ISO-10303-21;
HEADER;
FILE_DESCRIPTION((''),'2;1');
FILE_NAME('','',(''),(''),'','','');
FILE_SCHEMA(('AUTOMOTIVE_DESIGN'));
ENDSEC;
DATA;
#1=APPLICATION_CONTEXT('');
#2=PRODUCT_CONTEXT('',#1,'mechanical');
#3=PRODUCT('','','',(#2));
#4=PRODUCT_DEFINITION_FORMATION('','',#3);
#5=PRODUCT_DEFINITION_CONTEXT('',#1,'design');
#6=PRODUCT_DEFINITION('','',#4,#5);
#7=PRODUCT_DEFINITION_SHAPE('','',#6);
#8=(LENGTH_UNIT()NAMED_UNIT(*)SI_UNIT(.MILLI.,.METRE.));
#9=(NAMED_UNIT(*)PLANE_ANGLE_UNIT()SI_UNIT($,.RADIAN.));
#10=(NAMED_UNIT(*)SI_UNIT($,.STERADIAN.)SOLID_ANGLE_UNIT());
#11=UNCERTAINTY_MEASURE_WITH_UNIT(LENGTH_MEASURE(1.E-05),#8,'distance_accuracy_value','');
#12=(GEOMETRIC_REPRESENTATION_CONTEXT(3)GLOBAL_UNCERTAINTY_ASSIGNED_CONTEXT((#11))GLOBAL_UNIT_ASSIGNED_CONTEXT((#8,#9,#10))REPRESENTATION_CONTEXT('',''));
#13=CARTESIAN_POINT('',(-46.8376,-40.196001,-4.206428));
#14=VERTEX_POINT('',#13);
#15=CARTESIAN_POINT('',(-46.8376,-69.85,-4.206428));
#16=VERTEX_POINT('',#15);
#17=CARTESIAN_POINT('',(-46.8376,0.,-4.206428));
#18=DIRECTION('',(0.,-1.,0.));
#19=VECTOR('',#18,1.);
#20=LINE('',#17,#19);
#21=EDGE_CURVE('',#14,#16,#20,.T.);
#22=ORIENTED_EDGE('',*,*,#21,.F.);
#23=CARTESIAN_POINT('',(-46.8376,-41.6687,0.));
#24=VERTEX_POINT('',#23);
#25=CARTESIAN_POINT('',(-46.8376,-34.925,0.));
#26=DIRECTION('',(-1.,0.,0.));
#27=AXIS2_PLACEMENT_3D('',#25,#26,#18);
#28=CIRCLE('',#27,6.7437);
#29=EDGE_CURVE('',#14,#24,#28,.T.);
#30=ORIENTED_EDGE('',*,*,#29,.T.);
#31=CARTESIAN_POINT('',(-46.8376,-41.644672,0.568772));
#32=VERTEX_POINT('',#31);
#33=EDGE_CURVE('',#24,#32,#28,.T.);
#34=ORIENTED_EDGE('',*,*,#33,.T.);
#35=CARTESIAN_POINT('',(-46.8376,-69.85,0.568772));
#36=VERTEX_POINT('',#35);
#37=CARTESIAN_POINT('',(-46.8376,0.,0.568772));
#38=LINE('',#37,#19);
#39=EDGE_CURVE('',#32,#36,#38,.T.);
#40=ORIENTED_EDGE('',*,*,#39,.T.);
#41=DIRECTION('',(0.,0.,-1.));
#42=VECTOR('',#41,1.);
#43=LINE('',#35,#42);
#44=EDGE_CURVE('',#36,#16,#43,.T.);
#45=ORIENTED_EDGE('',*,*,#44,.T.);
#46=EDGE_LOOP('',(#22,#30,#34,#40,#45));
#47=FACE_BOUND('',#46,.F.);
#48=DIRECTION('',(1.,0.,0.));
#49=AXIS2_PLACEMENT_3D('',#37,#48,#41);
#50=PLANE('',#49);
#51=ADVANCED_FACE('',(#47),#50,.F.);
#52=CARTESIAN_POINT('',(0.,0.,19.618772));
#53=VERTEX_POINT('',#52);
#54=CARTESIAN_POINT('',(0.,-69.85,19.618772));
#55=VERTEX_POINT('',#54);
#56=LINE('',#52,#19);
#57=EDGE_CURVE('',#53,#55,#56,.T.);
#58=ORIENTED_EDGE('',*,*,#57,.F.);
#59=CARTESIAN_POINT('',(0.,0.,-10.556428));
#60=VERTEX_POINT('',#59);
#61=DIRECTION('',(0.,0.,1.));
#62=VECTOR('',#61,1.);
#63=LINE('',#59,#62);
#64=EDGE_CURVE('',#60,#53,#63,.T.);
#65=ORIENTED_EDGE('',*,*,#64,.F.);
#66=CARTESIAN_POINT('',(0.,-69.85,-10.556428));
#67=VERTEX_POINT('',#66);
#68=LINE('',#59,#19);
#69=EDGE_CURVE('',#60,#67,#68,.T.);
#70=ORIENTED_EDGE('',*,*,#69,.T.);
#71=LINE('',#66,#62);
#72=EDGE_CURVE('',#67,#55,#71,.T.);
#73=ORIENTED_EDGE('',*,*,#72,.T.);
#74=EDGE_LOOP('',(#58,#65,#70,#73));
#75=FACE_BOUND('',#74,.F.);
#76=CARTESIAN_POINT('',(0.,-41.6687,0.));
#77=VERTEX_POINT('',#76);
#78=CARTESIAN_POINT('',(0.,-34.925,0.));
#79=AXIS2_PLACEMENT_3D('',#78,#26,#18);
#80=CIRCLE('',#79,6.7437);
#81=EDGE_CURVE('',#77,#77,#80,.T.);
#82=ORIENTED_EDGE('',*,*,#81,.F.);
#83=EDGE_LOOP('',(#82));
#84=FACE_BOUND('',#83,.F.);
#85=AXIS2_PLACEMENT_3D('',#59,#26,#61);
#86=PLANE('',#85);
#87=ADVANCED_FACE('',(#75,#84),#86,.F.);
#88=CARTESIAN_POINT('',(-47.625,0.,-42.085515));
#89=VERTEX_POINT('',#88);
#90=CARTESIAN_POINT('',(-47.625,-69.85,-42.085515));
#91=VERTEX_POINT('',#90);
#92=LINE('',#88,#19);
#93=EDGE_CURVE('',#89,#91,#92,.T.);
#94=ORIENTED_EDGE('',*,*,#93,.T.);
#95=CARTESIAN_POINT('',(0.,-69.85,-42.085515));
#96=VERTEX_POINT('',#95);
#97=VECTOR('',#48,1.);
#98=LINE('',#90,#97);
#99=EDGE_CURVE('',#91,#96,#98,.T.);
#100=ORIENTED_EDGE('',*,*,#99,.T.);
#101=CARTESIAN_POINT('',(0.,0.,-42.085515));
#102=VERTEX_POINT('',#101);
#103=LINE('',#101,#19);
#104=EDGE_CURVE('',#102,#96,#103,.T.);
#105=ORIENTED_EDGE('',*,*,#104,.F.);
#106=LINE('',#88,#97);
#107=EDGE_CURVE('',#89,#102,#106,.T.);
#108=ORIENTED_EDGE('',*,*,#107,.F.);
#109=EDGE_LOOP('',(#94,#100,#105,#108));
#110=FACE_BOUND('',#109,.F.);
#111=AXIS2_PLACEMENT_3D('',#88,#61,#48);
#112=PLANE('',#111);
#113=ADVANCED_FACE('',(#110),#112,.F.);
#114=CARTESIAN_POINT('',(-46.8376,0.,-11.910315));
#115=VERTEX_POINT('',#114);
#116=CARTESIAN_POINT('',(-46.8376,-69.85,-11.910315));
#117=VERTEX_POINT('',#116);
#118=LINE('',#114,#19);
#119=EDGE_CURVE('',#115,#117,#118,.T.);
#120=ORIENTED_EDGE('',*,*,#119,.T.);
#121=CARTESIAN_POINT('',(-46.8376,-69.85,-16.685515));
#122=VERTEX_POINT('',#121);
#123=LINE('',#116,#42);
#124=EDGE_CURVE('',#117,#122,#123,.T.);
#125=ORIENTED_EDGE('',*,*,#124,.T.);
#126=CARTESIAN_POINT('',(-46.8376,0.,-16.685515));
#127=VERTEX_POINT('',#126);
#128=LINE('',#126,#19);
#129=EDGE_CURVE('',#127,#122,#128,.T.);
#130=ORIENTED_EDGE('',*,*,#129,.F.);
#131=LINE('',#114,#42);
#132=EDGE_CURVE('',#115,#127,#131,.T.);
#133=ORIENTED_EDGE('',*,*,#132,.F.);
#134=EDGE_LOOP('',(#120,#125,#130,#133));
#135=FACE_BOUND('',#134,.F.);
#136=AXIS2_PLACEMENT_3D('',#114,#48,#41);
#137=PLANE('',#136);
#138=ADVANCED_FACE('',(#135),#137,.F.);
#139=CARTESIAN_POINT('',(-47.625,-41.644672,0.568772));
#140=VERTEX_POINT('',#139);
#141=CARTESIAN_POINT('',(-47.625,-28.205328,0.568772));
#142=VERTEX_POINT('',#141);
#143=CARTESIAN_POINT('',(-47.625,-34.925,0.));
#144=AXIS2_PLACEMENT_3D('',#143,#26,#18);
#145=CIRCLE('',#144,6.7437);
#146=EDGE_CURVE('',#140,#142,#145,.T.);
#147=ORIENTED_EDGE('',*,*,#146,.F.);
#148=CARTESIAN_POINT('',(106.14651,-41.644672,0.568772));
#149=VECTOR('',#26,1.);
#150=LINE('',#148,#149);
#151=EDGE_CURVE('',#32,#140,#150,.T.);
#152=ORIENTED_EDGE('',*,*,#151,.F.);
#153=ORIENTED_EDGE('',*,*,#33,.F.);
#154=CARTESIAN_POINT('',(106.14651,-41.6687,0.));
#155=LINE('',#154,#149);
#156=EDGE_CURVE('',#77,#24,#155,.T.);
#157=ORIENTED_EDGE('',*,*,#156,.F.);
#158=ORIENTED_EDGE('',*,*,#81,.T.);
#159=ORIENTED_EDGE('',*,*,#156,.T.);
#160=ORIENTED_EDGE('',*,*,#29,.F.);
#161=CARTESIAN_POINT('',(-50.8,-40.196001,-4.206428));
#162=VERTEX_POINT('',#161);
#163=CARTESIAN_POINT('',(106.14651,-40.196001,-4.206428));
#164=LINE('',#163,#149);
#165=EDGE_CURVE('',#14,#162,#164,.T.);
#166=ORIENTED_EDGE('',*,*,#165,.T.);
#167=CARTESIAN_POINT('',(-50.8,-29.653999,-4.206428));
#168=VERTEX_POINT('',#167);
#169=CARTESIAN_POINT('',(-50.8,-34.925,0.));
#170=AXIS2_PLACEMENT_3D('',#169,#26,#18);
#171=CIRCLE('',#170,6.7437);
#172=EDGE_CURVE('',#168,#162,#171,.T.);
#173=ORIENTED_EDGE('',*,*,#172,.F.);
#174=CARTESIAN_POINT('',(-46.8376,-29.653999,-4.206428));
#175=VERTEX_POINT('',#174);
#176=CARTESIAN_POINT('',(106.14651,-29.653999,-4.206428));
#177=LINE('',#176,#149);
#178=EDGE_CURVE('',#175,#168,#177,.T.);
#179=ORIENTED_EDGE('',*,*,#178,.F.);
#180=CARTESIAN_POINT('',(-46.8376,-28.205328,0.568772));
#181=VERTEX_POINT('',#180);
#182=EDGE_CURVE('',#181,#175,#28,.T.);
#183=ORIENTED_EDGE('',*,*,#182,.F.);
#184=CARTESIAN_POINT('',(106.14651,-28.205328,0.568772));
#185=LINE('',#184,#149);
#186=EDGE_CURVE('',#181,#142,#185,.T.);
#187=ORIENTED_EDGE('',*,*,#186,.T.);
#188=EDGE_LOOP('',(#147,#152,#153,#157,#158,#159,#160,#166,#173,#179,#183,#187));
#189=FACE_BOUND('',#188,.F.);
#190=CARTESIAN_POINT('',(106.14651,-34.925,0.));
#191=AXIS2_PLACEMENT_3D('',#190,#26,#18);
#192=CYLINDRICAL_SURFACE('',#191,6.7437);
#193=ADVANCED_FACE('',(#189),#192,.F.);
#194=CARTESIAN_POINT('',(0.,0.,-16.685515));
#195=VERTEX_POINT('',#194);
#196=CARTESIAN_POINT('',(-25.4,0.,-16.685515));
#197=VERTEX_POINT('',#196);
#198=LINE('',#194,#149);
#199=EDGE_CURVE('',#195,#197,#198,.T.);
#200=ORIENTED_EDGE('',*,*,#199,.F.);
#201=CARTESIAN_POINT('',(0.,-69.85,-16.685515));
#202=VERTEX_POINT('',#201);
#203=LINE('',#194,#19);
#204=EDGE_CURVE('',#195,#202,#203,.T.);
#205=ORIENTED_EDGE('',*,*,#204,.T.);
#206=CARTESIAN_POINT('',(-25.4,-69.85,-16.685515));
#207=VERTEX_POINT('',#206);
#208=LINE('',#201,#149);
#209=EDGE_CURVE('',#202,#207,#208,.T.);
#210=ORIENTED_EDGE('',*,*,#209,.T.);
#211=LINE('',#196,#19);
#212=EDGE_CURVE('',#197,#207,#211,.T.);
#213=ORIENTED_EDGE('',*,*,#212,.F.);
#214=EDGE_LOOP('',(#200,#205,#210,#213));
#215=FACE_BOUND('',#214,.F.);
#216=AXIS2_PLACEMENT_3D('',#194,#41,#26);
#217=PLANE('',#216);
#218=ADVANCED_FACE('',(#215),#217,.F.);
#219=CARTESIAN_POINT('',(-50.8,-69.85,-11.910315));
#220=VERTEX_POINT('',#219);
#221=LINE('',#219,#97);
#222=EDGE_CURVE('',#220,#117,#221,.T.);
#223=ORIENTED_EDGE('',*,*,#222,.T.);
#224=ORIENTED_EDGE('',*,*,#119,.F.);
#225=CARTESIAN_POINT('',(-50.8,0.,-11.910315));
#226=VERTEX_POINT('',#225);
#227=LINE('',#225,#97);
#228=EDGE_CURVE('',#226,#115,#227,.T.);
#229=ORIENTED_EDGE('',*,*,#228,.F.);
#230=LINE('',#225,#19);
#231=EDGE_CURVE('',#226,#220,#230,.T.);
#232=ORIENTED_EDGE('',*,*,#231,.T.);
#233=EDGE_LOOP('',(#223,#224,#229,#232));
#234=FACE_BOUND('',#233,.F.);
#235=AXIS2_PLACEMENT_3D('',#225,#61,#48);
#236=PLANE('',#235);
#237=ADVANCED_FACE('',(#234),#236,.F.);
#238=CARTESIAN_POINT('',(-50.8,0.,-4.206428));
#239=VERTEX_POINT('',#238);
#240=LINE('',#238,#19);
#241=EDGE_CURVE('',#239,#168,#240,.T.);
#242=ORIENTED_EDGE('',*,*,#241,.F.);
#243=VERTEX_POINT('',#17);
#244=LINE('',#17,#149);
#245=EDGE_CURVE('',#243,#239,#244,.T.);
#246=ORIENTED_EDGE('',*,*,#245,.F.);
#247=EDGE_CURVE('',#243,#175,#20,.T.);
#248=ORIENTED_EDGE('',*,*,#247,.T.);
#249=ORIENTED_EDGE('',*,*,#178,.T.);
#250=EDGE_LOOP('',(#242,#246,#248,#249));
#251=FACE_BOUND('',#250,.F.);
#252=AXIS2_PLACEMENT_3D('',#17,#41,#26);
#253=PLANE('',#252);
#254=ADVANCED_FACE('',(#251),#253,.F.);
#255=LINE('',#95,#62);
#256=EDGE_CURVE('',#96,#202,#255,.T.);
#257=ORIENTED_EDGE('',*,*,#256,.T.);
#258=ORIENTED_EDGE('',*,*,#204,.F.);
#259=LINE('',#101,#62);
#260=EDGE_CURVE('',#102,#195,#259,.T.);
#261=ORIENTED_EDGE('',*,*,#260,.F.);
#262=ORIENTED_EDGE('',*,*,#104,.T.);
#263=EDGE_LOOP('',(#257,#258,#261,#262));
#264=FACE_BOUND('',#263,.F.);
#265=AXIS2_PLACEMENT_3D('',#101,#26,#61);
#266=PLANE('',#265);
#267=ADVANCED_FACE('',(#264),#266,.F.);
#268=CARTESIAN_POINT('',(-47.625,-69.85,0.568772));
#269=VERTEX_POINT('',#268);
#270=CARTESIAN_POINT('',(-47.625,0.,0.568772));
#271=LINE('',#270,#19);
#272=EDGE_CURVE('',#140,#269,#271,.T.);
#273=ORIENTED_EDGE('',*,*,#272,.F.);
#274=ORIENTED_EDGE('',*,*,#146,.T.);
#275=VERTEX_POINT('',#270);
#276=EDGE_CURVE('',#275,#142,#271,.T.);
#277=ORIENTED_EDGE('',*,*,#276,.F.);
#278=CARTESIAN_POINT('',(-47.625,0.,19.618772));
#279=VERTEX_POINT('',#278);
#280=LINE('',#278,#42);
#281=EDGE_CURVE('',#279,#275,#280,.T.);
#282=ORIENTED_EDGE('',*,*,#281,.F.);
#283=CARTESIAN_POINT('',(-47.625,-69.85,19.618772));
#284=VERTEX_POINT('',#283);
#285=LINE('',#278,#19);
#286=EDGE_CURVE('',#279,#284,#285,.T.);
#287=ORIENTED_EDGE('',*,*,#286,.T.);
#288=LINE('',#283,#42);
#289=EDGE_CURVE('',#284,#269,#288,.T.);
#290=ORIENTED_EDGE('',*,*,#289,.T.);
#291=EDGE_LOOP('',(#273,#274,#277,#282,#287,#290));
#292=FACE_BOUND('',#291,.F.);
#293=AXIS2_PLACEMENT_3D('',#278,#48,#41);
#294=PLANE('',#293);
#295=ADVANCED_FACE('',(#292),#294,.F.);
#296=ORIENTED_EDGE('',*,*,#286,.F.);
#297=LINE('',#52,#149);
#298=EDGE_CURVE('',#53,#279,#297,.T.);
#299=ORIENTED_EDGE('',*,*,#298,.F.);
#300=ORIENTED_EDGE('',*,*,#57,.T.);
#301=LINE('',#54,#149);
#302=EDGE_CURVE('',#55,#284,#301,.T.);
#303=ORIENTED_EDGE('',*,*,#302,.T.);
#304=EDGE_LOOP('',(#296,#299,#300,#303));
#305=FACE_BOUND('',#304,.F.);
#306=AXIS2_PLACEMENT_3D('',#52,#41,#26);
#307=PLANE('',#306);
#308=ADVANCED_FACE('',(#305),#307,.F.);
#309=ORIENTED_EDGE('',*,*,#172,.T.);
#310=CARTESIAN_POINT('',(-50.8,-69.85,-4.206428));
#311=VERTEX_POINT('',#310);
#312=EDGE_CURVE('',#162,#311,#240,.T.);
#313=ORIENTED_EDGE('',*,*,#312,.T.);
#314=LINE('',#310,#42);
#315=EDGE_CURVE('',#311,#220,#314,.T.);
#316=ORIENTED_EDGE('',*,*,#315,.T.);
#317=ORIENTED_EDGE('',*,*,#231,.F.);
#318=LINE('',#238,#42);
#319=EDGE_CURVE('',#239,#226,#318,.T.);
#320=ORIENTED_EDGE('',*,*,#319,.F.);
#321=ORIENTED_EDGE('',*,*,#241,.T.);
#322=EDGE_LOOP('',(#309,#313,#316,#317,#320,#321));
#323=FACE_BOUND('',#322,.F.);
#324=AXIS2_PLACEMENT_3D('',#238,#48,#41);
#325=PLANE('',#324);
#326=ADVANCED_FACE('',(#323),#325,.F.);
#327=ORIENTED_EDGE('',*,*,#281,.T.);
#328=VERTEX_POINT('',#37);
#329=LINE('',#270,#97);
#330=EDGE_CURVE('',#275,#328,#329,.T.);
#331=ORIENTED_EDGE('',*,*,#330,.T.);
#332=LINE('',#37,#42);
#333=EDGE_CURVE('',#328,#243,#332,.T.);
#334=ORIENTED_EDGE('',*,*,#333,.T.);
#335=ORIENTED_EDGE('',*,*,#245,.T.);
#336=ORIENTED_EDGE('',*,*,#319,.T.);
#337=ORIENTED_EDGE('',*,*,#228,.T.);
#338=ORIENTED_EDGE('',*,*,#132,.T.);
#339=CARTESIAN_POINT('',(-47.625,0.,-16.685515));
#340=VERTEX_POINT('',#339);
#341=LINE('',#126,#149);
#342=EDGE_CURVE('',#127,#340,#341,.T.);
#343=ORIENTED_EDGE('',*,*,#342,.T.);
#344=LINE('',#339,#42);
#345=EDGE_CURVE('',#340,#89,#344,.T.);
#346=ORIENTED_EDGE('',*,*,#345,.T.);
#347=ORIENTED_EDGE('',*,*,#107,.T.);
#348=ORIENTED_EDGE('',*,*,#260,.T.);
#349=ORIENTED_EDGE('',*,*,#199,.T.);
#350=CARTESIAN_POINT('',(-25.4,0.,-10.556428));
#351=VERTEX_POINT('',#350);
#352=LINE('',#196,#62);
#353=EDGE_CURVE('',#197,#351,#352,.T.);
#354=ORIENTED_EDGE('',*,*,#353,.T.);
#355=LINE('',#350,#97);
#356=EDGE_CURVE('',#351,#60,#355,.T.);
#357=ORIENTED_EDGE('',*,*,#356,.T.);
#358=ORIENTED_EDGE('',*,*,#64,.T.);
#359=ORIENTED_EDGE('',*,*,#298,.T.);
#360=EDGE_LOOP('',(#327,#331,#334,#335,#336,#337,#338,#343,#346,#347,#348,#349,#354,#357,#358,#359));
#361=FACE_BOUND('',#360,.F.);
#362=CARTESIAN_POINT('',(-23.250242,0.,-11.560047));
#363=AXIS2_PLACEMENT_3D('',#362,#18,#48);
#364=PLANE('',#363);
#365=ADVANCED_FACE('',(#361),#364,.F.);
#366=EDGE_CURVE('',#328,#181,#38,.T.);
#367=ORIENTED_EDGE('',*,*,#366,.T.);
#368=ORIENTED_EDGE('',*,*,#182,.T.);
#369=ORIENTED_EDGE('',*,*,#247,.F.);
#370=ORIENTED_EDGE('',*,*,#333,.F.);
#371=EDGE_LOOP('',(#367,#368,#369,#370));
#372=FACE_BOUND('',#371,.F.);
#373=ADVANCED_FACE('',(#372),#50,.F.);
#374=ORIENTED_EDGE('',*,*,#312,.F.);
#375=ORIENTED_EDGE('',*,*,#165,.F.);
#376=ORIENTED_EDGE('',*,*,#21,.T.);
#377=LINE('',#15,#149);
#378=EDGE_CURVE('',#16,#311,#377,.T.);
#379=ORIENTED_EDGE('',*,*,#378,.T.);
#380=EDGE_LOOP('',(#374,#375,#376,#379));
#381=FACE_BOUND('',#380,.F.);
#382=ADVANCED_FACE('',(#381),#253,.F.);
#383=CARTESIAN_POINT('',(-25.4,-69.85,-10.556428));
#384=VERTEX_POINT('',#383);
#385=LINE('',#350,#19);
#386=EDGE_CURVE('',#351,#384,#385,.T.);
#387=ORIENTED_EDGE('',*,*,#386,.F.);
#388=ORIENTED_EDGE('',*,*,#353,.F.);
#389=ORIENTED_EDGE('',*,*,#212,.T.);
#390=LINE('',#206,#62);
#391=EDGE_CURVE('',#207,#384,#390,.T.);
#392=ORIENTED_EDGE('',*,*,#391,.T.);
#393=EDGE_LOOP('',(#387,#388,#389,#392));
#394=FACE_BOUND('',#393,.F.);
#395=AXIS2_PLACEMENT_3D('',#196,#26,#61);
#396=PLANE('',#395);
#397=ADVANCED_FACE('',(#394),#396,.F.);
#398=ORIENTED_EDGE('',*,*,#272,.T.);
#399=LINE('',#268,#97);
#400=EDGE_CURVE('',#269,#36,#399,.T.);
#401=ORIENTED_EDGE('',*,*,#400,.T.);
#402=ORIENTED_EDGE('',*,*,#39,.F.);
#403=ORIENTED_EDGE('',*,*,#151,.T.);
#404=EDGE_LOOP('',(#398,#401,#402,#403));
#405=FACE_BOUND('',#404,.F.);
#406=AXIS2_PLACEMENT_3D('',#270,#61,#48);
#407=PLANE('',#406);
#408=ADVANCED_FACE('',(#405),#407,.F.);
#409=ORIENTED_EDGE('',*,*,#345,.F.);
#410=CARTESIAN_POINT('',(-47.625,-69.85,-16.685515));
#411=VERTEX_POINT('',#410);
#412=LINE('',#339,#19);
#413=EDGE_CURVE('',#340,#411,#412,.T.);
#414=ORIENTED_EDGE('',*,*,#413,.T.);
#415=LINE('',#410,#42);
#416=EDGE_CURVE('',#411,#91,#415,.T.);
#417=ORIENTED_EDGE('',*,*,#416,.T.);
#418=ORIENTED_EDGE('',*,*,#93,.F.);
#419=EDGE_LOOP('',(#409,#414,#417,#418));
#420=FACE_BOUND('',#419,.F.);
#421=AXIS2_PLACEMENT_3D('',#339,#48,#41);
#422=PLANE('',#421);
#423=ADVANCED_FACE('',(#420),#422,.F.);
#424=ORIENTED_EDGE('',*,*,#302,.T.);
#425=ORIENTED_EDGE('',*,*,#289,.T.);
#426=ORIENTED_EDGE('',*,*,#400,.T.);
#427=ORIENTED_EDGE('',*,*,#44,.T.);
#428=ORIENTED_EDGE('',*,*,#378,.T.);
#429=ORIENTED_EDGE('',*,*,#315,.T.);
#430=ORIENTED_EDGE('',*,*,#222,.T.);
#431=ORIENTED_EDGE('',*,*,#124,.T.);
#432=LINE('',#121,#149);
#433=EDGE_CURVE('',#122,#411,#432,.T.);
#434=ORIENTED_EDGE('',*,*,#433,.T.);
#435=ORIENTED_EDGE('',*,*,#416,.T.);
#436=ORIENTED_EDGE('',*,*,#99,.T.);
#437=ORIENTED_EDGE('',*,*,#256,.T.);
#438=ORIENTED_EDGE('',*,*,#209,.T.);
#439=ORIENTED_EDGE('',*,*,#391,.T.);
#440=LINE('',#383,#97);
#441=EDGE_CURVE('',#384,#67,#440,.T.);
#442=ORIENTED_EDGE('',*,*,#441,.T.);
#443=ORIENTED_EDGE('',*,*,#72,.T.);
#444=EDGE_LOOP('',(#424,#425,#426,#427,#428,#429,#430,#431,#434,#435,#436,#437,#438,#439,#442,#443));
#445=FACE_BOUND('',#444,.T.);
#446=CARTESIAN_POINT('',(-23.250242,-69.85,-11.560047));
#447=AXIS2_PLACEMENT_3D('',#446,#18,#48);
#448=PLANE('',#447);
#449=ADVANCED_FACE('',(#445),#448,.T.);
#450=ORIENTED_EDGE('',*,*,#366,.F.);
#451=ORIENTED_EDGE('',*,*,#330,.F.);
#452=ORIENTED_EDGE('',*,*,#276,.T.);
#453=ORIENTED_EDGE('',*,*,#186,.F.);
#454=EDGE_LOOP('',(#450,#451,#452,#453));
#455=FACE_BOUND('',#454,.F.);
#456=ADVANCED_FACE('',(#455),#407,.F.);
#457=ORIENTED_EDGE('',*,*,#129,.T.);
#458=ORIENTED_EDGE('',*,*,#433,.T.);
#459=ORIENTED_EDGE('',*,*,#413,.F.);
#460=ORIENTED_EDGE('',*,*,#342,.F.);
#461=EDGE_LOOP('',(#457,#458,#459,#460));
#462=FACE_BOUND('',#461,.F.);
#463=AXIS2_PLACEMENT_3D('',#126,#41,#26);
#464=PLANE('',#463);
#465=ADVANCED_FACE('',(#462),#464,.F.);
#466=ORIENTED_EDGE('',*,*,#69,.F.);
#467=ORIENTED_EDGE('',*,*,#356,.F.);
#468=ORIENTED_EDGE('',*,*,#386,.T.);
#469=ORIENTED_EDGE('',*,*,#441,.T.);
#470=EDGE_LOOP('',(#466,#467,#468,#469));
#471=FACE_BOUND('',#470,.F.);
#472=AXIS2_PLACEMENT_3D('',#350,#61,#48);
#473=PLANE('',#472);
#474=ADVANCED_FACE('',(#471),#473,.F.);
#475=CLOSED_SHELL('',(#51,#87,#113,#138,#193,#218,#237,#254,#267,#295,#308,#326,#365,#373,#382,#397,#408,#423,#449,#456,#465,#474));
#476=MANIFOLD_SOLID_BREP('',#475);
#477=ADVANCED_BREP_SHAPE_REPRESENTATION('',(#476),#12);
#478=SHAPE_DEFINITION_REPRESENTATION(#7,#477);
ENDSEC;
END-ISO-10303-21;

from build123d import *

# Parameters (mm, degrees)
F1_DEPTH = 69.85
F3_D     = 13.4874


with BuildPart() as f1:
    # F0 (on Front) → F1 (new body)
    with BuildSketch(Plane.XZ):
        Polygon((-47.625, -16.685515), (-47.625, -42.085515), (0, -42.085515), (0, -16.685515), (-25.4, -16.685515), (-25.4, -10.556428), (0, -10.556428), (0, 19.618772), (-47.625, 19.618772), (-47.625, 0.568772), (-46.8376, 0.568772), (-46.8376, -4.206428), (-50.8, -4.206428), (-50.8, -11.910315), (-46.8376, -11.910315), (-46.8376, -16.685515), align=None)
    extrude(amount=F1_DEPTH)

    # F3 (through all)
    with Locations(Plane.YZ):
        with Locations((-34.925, 0)):
            Hole(F3_D / 2)


solid = f1.part
